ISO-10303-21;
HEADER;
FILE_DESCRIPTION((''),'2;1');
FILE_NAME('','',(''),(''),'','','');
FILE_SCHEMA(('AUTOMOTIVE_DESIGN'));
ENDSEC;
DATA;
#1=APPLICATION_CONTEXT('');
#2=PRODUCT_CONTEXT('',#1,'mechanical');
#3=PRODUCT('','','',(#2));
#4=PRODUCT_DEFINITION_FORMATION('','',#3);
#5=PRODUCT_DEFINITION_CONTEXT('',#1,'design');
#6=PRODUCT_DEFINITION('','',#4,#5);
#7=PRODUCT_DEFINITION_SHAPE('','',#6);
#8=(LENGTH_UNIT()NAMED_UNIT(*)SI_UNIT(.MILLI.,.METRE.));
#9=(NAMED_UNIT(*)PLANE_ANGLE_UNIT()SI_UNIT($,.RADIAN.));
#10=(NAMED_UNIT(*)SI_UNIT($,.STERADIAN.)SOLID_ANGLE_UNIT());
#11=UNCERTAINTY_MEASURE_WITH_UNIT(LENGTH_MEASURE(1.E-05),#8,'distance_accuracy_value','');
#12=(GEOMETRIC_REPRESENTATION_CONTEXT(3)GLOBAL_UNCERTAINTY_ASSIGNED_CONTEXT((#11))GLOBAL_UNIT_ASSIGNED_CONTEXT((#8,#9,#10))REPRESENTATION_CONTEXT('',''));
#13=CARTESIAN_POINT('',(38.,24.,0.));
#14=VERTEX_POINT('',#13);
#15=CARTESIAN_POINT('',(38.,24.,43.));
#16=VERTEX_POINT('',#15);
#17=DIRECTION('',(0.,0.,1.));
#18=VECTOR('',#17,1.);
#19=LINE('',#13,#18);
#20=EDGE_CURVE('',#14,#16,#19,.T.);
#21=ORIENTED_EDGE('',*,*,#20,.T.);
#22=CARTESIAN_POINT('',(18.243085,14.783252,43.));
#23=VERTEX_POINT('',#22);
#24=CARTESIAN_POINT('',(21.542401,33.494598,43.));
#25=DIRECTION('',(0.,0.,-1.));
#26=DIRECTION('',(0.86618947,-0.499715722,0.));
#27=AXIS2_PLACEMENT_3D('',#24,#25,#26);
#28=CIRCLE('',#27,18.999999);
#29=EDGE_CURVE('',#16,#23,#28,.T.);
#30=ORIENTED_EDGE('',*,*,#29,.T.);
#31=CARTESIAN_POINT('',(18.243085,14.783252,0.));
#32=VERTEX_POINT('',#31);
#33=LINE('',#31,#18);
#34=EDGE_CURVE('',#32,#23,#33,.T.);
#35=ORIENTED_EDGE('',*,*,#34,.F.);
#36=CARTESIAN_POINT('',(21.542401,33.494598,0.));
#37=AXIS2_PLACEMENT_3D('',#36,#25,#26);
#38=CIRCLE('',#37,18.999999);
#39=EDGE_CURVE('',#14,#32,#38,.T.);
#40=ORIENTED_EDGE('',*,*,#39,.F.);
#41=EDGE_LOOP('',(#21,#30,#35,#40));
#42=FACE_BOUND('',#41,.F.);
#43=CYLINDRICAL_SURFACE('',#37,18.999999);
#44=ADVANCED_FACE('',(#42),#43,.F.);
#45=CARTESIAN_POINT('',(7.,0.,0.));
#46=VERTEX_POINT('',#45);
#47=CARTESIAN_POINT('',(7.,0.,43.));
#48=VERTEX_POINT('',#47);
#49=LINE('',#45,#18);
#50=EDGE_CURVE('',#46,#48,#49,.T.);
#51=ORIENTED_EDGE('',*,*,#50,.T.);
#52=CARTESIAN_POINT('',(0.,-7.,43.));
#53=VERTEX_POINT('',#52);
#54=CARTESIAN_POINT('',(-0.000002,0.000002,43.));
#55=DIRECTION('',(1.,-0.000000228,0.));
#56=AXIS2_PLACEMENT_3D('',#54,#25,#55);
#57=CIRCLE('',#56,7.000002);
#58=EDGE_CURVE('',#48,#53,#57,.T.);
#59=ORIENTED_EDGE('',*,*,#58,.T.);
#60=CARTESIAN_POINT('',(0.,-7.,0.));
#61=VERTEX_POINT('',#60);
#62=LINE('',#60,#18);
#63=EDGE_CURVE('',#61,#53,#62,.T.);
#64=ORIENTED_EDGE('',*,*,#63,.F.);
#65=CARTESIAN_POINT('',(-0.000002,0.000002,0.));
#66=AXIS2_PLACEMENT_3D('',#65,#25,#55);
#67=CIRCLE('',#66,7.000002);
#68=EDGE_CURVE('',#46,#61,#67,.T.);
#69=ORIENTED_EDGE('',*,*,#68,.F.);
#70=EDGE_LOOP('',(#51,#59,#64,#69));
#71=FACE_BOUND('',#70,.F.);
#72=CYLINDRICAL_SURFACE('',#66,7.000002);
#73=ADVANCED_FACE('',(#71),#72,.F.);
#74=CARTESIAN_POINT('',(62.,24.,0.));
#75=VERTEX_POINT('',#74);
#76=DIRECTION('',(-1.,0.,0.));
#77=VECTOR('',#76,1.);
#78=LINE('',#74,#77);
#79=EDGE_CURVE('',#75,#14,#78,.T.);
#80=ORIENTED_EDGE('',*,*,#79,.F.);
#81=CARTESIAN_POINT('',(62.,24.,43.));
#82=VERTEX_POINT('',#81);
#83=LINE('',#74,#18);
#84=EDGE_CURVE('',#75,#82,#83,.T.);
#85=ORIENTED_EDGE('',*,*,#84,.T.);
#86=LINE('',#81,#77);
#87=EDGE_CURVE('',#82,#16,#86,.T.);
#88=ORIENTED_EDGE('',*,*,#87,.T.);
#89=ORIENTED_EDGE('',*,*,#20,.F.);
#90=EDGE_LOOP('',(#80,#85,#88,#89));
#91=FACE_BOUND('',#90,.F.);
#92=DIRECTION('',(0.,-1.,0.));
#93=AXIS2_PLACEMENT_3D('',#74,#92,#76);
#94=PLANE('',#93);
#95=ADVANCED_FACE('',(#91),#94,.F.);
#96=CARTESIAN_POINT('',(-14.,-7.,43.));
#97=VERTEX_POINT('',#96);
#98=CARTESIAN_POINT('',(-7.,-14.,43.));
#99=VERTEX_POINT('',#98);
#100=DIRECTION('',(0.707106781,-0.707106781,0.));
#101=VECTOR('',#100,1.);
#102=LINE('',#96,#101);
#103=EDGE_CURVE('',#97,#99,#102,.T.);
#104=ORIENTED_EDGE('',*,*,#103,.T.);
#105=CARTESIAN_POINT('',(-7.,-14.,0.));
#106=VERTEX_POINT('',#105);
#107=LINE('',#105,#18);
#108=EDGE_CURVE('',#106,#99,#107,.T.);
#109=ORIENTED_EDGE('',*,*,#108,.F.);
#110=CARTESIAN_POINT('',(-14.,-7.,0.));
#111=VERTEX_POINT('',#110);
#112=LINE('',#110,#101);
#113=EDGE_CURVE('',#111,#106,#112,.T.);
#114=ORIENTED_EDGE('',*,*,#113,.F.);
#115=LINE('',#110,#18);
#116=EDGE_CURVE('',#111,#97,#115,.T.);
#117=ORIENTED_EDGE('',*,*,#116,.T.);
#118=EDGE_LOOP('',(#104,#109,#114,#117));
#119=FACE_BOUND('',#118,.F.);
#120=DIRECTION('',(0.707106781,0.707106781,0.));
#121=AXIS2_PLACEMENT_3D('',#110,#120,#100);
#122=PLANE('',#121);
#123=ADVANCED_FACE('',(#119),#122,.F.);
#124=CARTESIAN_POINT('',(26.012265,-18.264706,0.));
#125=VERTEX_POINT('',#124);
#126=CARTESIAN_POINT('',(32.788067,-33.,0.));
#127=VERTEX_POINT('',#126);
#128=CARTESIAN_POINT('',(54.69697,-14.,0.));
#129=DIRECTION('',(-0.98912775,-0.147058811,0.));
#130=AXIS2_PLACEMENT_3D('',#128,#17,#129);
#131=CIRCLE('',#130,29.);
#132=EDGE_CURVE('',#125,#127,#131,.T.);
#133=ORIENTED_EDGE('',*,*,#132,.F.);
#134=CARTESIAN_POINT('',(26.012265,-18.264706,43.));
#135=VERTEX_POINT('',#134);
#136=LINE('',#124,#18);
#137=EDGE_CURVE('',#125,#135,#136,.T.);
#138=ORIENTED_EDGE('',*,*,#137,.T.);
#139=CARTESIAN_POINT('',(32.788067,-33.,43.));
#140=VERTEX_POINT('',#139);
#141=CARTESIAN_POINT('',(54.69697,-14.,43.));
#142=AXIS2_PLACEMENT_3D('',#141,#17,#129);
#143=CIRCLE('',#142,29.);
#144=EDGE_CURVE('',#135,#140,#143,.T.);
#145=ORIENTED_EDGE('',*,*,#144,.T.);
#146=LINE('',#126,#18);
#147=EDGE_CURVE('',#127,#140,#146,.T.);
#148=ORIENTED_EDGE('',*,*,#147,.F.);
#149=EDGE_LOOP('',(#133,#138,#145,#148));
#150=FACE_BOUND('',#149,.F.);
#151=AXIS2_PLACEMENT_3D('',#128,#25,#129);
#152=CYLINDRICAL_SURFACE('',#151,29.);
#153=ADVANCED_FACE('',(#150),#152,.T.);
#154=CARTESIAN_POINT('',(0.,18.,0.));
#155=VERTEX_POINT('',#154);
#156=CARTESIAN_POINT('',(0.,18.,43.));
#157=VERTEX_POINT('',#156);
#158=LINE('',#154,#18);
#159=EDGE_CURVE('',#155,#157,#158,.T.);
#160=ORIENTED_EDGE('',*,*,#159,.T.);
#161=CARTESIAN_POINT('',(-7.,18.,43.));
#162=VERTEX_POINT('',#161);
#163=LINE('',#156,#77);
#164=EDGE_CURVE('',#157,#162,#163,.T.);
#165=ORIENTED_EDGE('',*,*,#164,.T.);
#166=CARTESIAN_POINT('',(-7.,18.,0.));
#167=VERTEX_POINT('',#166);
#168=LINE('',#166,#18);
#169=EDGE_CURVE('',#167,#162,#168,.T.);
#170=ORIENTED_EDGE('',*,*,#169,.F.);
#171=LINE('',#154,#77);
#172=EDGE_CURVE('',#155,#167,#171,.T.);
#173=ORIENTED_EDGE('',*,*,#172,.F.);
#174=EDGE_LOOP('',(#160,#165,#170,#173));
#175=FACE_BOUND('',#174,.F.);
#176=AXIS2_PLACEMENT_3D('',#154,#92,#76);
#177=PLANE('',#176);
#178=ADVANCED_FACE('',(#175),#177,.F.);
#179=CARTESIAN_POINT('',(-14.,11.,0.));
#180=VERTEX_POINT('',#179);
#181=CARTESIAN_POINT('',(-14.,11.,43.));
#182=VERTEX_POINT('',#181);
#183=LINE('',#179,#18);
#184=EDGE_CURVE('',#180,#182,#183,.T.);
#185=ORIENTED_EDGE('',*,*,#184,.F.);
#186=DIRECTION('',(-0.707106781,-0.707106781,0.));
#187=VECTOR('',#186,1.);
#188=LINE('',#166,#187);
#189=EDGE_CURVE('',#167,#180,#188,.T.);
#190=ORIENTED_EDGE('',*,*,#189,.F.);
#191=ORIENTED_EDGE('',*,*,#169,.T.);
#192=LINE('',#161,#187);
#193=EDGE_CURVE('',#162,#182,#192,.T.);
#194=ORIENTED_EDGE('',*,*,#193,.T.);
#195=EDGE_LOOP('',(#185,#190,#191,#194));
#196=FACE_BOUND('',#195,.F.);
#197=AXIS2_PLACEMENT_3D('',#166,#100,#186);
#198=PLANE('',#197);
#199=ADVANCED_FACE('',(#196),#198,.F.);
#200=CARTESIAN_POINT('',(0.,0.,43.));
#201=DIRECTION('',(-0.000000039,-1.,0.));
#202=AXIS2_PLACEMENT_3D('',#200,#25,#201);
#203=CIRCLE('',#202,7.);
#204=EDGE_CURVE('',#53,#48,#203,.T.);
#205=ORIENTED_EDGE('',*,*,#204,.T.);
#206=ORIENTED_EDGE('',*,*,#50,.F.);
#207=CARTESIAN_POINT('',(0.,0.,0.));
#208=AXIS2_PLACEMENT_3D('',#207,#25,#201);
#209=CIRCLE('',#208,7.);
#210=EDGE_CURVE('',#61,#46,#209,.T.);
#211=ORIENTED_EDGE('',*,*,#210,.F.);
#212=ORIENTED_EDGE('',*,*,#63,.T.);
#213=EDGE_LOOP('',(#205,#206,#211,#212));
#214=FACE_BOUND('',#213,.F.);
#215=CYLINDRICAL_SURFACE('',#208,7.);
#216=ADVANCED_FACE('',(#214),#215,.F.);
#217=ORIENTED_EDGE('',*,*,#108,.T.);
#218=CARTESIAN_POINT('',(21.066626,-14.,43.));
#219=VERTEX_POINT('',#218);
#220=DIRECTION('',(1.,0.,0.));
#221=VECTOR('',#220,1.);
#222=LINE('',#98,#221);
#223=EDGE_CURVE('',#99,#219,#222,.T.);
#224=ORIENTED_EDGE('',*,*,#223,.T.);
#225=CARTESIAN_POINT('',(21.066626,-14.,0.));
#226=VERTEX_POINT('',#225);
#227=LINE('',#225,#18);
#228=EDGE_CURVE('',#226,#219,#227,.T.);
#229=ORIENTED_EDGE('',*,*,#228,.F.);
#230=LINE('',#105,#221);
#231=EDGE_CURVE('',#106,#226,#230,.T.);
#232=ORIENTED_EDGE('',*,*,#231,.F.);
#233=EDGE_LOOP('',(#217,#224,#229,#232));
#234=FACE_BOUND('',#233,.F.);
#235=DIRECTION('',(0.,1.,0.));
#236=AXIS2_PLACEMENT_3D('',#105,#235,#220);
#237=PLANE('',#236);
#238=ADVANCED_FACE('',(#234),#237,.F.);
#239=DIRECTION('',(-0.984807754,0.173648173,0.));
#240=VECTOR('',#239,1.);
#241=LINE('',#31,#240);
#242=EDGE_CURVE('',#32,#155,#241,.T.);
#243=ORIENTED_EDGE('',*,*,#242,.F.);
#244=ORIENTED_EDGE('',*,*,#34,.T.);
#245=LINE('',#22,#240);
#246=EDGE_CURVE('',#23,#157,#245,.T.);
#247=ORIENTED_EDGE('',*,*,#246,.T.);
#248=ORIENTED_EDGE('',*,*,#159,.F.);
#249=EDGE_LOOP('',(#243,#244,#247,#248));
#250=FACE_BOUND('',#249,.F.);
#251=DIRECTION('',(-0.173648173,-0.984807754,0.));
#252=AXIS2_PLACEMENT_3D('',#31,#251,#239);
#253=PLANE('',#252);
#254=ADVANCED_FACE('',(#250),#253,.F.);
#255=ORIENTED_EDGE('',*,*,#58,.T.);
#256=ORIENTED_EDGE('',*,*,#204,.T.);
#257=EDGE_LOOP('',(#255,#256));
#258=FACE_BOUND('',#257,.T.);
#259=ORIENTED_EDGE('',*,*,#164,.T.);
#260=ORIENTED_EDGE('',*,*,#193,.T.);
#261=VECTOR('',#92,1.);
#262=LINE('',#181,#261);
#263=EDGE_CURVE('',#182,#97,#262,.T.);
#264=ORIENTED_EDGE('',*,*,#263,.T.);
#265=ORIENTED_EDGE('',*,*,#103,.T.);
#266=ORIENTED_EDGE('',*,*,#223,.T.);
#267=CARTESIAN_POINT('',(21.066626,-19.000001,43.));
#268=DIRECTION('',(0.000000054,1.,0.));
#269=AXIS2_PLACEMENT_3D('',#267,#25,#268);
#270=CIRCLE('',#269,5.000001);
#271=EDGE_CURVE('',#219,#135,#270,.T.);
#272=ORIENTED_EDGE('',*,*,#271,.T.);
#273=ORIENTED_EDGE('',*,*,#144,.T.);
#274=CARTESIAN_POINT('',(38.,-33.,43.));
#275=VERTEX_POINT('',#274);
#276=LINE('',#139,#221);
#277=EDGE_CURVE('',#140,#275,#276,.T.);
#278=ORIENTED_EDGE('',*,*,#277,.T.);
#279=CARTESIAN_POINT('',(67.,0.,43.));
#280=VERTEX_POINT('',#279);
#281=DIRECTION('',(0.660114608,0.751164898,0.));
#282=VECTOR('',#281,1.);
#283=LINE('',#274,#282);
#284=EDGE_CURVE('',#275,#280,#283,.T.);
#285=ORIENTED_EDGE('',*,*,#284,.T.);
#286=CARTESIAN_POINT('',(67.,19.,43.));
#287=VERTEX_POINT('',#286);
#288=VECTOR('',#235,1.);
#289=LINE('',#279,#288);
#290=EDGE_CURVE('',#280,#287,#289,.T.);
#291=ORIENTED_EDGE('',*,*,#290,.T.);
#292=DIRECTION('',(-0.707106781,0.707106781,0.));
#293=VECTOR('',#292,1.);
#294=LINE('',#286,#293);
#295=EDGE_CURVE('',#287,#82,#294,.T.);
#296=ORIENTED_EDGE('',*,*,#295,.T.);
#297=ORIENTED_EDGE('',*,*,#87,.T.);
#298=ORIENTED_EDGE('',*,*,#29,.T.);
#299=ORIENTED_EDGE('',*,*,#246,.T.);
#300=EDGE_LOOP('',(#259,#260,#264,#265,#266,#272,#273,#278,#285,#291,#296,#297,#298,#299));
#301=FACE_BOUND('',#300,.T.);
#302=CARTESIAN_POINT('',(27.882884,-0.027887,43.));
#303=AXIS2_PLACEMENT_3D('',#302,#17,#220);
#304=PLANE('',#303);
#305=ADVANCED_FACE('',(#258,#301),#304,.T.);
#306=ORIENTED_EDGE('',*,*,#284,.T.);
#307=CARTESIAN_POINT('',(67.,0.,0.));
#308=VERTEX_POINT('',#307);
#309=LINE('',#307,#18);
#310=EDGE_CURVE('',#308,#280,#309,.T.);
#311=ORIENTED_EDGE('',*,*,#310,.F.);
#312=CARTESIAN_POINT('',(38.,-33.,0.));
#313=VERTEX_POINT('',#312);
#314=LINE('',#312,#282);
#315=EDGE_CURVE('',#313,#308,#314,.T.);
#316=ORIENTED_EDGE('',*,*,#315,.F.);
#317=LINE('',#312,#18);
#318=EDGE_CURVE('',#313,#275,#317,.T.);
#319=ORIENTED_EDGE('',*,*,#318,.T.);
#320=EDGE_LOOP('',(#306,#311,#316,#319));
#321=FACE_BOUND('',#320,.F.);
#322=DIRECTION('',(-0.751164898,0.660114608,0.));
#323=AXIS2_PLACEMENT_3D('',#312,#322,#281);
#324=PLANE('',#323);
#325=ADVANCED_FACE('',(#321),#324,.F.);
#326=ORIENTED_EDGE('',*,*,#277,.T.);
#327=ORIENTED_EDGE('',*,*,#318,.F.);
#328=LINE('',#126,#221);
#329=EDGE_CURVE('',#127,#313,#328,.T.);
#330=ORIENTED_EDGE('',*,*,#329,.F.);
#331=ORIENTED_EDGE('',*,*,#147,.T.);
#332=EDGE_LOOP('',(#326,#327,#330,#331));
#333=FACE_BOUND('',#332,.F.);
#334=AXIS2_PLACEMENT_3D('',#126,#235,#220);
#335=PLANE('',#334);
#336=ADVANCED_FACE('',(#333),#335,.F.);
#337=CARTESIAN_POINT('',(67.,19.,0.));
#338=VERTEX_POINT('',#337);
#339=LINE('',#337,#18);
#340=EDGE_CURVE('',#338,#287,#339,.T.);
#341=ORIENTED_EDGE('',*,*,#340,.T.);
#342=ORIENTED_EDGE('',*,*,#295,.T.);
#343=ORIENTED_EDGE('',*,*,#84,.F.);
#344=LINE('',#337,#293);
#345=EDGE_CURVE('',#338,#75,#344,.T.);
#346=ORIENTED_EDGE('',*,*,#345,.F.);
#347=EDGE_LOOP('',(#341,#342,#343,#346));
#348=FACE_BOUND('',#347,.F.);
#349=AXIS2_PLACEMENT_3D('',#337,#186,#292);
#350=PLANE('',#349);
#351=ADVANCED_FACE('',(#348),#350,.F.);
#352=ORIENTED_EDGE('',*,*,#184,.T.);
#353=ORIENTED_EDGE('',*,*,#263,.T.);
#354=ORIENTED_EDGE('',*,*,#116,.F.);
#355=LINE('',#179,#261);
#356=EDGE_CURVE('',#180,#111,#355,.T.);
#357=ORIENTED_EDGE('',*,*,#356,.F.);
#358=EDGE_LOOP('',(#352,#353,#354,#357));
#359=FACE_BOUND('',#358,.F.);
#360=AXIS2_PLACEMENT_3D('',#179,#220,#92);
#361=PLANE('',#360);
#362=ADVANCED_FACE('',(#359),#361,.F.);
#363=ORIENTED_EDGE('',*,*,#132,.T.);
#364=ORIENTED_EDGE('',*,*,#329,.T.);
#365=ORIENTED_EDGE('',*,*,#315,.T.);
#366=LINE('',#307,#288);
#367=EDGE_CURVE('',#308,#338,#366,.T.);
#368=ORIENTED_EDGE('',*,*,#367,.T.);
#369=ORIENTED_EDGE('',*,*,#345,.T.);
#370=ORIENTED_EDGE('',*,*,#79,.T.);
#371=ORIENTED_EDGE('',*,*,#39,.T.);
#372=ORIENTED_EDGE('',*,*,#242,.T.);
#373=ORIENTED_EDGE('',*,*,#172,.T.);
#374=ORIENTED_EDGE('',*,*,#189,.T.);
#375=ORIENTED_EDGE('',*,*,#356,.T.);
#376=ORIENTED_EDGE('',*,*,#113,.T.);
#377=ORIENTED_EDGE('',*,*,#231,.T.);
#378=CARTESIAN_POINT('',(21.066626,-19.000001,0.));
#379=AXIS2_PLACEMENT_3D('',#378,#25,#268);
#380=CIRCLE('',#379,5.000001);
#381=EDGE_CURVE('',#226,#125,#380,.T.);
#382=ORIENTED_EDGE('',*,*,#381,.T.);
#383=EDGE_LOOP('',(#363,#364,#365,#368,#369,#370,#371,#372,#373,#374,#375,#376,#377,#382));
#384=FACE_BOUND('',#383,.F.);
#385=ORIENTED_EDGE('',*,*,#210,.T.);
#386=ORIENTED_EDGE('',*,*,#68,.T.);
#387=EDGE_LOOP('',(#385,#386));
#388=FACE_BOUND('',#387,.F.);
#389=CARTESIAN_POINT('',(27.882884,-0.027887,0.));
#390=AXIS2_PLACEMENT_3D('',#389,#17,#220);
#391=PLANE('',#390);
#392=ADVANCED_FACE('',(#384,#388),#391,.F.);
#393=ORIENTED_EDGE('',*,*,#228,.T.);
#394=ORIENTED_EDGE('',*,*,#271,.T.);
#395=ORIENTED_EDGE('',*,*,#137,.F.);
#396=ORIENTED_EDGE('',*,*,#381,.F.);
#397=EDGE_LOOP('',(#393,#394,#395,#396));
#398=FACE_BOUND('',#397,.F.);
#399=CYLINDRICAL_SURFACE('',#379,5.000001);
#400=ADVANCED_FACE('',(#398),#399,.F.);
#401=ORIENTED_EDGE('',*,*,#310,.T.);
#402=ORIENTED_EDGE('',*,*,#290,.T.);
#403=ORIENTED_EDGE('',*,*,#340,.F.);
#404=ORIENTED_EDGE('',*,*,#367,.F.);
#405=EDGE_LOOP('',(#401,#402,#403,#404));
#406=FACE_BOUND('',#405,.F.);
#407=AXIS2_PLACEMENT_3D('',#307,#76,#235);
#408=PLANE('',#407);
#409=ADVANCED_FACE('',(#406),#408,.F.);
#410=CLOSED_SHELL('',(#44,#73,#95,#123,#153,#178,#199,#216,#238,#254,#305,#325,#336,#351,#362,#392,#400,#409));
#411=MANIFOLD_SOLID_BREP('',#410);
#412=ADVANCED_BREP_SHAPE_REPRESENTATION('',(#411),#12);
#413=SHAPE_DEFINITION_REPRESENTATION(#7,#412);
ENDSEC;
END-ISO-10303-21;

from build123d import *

# Parameters (mm, degrees)
F1_DEPTH = 43


with BuildPart() as f1:
    # F0 (on Top) → F1 (new body)
    with BuildSketch(Plane.XY):
        with BuildLine():
            Line((-14, 11), (-14, -7))
            Line((-14, -7), (-7, -14))
            Line((-7, -14), (0, -14))
            Line((0, -14), (21.066626, -14))
            ThreePointArc((21.066626, -14), (24.331862, -15.213414), (26.012265, -18.264706))
            ThreePointArc((26.012265, -18.264706), (28.349095, -26.115672), (32.788067, -33))
            Line((32.788067, -33), (38, -33))
            Line((38, -33), (67, 0))
            Line((67, 0), (67, 19))
            Line((67, 19), (62, 24))
            Line((62, 24), (38, 24))
            ThreePointArc((38, 24), (29.574973, 16.276069), (18.243085, 14.783252))
            Line((18.243085, 14.783252), (0, 18))
            Line((0, 18), (-7, 18))
            Line((-7, 18), (-14, 11))
        make_face()
        with BuildLine():
            ThreePointArc((7, 0), (4.949747, -4.949747), (0, -7))
            ThreePointArc((0, -7), (-4.949747, 4.949747), (7, 0))
        make_face(mode=Mode.SUBTRACT)
    extrude(amount=F1_DEPTH)


solid = f1.part
